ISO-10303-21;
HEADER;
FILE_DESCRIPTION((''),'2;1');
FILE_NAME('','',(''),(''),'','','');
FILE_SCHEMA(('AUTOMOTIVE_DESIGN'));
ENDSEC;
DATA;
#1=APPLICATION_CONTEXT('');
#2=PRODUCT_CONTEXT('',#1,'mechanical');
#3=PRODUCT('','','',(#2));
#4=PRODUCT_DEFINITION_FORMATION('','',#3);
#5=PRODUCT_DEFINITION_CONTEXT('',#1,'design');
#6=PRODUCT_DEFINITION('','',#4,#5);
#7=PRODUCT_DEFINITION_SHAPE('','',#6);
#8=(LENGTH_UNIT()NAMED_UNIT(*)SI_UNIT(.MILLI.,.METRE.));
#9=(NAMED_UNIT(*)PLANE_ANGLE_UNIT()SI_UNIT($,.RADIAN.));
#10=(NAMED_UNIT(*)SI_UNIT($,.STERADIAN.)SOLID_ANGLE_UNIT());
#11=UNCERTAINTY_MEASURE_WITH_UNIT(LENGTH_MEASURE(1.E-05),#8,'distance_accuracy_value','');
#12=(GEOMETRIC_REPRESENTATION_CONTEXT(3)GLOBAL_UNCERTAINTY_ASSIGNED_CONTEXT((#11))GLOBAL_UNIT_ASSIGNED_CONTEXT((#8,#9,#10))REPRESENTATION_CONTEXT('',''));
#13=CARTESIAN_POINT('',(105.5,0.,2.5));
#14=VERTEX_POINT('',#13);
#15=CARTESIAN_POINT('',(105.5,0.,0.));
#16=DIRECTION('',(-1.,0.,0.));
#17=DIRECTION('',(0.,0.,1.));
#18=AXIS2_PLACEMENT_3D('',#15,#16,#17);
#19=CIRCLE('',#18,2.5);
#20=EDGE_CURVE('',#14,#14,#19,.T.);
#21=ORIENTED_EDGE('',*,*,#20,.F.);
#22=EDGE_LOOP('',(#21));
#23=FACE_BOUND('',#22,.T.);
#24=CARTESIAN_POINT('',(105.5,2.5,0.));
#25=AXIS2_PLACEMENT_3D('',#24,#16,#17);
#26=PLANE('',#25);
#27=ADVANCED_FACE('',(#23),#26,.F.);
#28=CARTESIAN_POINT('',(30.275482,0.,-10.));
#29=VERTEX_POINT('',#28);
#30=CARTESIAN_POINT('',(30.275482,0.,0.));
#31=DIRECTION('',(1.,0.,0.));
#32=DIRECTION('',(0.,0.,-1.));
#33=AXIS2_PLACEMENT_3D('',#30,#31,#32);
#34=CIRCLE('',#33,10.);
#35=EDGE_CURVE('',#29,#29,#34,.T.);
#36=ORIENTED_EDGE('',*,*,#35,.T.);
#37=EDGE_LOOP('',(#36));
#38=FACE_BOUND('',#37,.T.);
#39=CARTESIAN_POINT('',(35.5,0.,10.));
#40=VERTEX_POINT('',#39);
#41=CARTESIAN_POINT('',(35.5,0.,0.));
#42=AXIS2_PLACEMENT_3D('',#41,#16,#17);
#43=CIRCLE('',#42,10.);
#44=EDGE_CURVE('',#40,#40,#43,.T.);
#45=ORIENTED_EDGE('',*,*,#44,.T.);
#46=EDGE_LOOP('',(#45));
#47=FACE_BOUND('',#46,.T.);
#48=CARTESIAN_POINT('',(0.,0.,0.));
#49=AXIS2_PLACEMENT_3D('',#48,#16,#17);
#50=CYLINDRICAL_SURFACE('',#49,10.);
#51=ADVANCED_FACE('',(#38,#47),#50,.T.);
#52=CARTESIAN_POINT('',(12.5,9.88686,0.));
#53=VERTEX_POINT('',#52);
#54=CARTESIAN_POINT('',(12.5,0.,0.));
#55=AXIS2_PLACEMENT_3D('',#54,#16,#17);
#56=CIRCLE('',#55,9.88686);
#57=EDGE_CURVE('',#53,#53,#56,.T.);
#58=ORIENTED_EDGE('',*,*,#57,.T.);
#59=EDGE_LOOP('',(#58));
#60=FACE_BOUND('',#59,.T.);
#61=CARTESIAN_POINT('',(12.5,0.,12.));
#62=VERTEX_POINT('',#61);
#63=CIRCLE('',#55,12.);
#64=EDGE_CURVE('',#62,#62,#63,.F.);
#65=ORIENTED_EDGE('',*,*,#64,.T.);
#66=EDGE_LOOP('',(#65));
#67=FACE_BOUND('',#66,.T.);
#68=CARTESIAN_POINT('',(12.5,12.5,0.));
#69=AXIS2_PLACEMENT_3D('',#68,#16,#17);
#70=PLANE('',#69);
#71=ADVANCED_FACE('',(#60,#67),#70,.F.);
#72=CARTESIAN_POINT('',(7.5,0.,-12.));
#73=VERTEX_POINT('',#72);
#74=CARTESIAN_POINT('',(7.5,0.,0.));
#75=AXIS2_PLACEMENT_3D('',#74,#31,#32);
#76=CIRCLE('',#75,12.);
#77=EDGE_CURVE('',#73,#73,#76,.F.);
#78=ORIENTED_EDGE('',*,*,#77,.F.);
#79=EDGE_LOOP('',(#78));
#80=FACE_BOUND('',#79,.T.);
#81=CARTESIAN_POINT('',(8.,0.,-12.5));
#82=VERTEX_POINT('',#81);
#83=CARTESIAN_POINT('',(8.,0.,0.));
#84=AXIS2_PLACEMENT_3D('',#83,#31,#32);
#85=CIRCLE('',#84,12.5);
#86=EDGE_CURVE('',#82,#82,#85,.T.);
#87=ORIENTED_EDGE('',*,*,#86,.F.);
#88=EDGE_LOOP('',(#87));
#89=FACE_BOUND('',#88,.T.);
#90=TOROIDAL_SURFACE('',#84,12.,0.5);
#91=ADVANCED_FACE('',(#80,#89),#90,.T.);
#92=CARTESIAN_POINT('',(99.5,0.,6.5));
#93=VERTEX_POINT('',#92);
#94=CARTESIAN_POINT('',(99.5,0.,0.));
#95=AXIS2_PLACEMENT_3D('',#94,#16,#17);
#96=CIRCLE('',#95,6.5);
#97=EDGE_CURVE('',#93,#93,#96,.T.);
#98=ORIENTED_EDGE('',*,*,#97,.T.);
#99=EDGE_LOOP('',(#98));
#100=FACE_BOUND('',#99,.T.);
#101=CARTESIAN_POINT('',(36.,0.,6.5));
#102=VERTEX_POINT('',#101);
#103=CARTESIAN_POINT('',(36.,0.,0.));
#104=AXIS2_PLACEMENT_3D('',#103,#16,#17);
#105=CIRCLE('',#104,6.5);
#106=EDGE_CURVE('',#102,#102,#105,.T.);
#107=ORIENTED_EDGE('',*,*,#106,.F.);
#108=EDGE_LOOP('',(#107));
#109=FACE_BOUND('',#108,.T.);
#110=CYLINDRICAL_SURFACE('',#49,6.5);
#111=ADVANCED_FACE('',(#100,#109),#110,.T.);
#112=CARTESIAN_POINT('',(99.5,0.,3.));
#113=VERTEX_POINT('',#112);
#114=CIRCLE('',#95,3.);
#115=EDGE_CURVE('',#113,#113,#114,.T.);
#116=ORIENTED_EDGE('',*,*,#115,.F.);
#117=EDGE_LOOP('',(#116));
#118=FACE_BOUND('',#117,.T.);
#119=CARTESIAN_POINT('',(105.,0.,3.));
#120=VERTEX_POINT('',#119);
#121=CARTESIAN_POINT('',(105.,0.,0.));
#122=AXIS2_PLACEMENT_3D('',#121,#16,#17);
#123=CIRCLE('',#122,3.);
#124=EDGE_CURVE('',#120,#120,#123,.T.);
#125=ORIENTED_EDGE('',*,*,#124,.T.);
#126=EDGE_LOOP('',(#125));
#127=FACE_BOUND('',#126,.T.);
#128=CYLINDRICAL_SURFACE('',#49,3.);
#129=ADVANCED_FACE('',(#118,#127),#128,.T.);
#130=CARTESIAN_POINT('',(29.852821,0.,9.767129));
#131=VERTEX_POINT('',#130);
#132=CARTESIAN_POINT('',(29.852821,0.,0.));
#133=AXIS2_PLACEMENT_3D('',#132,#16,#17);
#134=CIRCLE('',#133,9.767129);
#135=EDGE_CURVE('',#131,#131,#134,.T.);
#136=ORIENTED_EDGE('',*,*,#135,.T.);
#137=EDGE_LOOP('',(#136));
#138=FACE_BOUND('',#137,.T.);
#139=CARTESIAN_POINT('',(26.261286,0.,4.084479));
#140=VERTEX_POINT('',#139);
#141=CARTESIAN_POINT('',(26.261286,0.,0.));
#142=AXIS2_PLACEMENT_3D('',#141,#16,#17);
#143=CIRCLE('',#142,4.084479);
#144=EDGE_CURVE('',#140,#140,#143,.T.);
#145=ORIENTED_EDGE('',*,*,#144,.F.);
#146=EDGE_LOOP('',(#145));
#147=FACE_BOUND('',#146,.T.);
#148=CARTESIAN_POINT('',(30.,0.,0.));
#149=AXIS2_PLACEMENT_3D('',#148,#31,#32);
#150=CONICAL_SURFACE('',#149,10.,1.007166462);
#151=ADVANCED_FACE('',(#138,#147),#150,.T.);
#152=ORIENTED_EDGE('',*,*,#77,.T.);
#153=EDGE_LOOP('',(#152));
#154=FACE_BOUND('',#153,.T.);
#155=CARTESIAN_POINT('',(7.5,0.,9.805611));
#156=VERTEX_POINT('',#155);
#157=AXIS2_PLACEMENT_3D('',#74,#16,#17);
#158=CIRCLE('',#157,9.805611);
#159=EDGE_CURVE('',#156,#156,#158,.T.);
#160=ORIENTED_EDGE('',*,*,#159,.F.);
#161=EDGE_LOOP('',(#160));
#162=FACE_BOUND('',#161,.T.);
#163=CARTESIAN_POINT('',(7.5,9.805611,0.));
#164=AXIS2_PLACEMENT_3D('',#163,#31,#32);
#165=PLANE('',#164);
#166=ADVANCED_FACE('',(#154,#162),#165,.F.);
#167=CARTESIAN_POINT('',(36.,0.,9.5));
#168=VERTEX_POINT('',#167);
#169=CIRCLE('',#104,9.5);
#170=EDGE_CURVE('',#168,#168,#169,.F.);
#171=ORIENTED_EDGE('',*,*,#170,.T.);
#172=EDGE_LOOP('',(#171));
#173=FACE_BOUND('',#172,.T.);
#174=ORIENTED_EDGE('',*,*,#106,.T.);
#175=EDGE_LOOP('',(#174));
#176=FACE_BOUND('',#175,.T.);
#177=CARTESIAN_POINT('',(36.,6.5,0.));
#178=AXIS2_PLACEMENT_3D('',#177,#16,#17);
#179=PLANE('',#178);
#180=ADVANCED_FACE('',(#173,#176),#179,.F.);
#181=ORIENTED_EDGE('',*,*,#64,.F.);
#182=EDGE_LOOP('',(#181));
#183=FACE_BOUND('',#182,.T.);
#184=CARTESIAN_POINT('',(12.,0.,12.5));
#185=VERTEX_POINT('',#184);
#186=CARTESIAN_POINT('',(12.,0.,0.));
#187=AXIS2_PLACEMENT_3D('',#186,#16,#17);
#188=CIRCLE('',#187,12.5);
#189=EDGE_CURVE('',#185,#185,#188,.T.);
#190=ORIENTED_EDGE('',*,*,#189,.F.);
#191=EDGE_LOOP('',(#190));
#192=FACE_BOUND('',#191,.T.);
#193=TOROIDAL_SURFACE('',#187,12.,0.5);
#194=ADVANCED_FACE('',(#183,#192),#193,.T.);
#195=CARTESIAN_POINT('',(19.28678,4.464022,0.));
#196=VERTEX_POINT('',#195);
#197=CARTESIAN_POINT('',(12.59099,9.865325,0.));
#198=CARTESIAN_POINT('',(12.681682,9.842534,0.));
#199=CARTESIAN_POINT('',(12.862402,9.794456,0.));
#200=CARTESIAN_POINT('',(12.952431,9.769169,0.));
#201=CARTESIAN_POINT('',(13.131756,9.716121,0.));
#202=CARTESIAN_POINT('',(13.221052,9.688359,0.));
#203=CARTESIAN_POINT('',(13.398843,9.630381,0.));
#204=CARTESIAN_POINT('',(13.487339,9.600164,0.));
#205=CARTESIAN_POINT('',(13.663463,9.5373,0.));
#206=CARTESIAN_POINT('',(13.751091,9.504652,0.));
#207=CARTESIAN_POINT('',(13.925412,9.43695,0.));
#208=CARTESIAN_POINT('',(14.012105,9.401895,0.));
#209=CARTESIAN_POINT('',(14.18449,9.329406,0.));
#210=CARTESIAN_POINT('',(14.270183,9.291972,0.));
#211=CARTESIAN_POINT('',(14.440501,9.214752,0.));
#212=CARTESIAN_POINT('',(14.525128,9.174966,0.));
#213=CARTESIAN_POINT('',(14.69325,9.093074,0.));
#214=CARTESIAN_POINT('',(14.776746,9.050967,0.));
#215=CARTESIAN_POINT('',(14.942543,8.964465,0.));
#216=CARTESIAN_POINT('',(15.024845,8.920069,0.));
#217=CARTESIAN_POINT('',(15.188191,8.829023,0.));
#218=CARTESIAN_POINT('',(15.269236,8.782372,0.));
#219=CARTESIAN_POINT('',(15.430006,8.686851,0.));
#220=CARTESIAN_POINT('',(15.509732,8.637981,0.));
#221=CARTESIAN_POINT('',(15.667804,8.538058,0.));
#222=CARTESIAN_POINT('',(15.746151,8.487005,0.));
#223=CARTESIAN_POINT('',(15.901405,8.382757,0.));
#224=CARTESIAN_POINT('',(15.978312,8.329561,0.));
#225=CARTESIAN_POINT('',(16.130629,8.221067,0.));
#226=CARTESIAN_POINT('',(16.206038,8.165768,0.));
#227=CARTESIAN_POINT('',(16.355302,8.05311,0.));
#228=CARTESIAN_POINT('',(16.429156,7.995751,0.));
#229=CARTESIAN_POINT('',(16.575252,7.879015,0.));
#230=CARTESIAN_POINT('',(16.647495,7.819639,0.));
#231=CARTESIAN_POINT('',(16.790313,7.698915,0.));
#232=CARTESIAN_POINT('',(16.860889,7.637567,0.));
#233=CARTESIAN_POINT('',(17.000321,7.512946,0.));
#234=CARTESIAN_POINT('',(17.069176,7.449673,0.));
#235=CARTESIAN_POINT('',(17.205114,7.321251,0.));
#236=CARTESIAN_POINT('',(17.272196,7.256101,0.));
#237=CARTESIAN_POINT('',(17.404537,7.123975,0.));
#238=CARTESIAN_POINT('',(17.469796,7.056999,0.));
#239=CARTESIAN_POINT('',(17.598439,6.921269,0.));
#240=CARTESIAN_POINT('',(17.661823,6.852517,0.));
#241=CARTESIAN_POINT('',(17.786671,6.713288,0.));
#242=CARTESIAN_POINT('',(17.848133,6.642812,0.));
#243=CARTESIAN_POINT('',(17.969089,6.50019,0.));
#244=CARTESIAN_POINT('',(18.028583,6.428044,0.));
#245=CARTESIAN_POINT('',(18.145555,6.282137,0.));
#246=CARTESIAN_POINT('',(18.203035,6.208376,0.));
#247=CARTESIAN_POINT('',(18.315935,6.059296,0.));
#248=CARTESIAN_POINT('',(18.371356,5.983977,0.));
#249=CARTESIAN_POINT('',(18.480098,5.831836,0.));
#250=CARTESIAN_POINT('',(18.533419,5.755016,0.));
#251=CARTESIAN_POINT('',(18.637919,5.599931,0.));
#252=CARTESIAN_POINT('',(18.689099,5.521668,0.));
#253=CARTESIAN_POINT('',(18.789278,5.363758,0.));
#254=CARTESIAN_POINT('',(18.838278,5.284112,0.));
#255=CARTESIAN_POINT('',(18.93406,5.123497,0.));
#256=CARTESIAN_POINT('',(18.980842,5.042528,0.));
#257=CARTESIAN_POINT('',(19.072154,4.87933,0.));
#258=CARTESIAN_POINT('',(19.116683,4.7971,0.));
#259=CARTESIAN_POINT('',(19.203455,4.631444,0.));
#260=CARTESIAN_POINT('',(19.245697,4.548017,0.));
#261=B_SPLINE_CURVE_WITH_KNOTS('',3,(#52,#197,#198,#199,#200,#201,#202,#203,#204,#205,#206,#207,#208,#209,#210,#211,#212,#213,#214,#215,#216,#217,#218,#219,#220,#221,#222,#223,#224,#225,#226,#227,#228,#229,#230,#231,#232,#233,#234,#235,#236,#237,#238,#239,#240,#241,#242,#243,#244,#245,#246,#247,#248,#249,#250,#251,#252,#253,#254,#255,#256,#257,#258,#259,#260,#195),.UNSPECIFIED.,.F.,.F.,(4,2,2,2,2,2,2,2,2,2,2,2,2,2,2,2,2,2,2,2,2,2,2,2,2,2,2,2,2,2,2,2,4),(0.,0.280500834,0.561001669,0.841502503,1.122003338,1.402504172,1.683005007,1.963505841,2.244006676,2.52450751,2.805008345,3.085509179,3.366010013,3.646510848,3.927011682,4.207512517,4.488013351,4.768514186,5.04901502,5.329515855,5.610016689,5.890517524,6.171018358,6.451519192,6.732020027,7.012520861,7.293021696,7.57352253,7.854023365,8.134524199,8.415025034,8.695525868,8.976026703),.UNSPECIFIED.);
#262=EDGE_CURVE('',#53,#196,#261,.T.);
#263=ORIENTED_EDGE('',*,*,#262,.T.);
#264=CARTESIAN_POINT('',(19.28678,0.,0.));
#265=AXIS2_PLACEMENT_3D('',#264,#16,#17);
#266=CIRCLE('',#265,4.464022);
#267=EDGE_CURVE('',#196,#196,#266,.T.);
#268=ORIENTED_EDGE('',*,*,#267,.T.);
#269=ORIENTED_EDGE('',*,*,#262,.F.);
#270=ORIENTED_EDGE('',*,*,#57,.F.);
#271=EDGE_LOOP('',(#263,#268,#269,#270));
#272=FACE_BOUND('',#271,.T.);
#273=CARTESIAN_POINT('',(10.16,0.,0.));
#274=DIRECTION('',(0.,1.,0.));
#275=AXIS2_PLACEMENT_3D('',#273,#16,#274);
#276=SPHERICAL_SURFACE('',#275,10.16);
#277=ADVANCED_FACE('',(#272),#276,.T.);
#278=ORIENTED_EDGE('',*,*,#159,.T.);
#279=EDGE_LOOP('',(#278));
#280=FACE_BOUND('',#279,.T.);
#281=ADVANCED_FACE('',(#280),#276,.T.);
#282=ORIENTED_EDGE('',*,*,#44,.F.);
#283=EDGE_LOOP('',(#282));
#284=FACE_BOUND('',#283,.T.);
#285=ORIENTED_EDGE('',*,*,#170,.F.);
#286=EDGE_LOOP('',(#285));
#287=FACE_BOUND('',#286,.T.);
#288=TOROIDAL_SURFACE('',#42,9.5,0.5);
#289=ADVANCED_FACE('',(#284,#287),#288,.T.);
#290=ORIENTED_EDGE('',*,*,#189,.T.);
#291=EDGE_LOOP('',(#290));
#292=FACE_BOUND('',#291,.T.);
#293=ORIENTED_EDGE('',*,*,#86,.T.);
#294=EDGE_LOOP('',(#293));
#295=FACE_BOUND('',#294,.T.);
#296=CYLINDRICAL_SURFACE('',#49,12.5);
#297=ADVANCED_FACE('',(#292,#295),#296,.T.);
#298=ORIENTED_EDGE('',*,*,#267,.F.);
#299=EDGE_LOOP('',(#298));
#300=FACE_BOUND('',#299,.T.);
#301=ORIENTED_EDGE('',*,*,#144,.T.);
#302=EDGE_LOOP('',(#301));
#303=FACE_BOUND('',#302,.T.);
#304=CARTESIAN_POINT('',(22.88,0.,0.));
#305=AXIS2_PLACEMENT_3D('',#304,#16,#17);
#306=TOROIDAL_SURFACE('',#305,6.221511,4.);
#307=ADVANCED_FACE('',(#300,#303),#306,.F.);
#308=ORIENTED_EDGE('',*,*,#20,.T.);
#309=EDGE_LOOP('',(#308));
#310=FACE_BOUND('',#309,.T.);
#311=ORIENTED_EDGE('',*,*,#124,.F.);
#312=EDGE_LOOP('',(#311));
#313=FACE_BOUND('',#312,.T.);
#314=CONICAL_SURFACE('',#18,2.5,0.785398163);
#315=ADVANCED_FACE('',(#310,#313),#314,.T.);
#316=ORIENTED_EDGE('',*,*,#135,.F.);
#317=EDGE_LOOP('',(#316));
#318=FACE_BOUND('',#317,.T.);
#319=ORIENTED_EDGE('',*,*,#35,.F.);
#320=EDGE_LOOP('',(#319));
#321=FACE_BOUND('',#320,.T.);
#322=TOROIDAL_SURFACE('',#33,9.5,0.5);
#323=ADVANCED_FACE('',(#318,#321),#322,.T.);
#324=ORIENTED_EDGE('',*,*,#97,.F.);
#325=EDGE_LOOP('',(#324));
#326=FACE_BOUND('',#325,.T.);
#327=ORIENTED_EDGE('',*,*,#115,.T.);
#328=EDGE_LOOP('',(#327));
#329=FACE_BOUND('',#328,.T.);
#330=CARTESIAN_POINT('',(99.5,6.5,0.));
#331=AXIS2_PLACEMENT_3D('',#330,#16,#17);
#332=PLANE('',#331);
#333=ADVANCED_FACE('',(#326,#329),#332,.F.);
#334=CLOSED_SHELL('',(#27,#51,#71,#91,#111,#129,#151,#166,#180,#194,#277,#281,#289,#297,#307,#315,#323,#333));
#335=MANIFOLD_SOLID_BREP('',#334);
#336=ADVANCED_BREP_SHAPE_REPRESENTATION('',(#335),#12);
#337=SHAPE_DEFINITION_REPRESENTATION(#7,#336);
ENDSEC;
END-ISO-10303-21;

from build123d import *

# Parameters (mm, degrees)
FILLET1_R = 0.5


with BuildPart() as part:
    # Sketch1 → Revolve1 (revolve)
    with BuildSketch(Plane.XY, mode=Mode.PRIVATE) as revolve1_sk:
        with BuildLine():
            Line((0, 0), (105.5, 0))
            Line((105.5, 0), (105.5, 2.5))
            Line((105.5, 2.5), (105, 3))
            Line((105, 3), (99.5, 3))
            Line((99.5, 3), (99.5, 6.5))
            Line((99.5, 6.5), (36, 6.5))
            Line((36, 6.5), (36, 10))
            Line((36, 10), (30, 10))
            Line((30, 10), (26.261285599, 4.084478618))
            ThreePointArc((26.261285599, 4.084478618), (22.662646852, 2.227420735), (19.286779661, 4.464022068))
            ThreePointArc((19.286779661, 4.464022068), (16.502204007, 7.937382965), (12.5, 9.886859967))
            Line((12.5, 9.886859967), (12.5, 12.5))
            Line((12.5, 12.5), (7.5, 12.5))
            Line((7.5, 12.5), (7.5, 9.805610639))
            ThreePointArc((7.5, 9.805610639), (2.08995663, 6.172519745), (0, 0))
        make_face()
    revolve(revolve1_sk.sketch.rotate(Axis((0, 0, 0), (1, 0, 0)), 90), axis=Axis((0, 0, 0), (1, 0, 0)))

    # Fillet1
    fillet1_edges = [part.edges().sort_by_distance(p)[0] for p in [
        (7.5, 0, -12.5),
        (12.5, 0, -12.5),
        (30, 0, -10),
        (36, 0, -10),
    ]]
    fillet(fillet1_edges, radius=FILLET1_R)


solid = part.part
